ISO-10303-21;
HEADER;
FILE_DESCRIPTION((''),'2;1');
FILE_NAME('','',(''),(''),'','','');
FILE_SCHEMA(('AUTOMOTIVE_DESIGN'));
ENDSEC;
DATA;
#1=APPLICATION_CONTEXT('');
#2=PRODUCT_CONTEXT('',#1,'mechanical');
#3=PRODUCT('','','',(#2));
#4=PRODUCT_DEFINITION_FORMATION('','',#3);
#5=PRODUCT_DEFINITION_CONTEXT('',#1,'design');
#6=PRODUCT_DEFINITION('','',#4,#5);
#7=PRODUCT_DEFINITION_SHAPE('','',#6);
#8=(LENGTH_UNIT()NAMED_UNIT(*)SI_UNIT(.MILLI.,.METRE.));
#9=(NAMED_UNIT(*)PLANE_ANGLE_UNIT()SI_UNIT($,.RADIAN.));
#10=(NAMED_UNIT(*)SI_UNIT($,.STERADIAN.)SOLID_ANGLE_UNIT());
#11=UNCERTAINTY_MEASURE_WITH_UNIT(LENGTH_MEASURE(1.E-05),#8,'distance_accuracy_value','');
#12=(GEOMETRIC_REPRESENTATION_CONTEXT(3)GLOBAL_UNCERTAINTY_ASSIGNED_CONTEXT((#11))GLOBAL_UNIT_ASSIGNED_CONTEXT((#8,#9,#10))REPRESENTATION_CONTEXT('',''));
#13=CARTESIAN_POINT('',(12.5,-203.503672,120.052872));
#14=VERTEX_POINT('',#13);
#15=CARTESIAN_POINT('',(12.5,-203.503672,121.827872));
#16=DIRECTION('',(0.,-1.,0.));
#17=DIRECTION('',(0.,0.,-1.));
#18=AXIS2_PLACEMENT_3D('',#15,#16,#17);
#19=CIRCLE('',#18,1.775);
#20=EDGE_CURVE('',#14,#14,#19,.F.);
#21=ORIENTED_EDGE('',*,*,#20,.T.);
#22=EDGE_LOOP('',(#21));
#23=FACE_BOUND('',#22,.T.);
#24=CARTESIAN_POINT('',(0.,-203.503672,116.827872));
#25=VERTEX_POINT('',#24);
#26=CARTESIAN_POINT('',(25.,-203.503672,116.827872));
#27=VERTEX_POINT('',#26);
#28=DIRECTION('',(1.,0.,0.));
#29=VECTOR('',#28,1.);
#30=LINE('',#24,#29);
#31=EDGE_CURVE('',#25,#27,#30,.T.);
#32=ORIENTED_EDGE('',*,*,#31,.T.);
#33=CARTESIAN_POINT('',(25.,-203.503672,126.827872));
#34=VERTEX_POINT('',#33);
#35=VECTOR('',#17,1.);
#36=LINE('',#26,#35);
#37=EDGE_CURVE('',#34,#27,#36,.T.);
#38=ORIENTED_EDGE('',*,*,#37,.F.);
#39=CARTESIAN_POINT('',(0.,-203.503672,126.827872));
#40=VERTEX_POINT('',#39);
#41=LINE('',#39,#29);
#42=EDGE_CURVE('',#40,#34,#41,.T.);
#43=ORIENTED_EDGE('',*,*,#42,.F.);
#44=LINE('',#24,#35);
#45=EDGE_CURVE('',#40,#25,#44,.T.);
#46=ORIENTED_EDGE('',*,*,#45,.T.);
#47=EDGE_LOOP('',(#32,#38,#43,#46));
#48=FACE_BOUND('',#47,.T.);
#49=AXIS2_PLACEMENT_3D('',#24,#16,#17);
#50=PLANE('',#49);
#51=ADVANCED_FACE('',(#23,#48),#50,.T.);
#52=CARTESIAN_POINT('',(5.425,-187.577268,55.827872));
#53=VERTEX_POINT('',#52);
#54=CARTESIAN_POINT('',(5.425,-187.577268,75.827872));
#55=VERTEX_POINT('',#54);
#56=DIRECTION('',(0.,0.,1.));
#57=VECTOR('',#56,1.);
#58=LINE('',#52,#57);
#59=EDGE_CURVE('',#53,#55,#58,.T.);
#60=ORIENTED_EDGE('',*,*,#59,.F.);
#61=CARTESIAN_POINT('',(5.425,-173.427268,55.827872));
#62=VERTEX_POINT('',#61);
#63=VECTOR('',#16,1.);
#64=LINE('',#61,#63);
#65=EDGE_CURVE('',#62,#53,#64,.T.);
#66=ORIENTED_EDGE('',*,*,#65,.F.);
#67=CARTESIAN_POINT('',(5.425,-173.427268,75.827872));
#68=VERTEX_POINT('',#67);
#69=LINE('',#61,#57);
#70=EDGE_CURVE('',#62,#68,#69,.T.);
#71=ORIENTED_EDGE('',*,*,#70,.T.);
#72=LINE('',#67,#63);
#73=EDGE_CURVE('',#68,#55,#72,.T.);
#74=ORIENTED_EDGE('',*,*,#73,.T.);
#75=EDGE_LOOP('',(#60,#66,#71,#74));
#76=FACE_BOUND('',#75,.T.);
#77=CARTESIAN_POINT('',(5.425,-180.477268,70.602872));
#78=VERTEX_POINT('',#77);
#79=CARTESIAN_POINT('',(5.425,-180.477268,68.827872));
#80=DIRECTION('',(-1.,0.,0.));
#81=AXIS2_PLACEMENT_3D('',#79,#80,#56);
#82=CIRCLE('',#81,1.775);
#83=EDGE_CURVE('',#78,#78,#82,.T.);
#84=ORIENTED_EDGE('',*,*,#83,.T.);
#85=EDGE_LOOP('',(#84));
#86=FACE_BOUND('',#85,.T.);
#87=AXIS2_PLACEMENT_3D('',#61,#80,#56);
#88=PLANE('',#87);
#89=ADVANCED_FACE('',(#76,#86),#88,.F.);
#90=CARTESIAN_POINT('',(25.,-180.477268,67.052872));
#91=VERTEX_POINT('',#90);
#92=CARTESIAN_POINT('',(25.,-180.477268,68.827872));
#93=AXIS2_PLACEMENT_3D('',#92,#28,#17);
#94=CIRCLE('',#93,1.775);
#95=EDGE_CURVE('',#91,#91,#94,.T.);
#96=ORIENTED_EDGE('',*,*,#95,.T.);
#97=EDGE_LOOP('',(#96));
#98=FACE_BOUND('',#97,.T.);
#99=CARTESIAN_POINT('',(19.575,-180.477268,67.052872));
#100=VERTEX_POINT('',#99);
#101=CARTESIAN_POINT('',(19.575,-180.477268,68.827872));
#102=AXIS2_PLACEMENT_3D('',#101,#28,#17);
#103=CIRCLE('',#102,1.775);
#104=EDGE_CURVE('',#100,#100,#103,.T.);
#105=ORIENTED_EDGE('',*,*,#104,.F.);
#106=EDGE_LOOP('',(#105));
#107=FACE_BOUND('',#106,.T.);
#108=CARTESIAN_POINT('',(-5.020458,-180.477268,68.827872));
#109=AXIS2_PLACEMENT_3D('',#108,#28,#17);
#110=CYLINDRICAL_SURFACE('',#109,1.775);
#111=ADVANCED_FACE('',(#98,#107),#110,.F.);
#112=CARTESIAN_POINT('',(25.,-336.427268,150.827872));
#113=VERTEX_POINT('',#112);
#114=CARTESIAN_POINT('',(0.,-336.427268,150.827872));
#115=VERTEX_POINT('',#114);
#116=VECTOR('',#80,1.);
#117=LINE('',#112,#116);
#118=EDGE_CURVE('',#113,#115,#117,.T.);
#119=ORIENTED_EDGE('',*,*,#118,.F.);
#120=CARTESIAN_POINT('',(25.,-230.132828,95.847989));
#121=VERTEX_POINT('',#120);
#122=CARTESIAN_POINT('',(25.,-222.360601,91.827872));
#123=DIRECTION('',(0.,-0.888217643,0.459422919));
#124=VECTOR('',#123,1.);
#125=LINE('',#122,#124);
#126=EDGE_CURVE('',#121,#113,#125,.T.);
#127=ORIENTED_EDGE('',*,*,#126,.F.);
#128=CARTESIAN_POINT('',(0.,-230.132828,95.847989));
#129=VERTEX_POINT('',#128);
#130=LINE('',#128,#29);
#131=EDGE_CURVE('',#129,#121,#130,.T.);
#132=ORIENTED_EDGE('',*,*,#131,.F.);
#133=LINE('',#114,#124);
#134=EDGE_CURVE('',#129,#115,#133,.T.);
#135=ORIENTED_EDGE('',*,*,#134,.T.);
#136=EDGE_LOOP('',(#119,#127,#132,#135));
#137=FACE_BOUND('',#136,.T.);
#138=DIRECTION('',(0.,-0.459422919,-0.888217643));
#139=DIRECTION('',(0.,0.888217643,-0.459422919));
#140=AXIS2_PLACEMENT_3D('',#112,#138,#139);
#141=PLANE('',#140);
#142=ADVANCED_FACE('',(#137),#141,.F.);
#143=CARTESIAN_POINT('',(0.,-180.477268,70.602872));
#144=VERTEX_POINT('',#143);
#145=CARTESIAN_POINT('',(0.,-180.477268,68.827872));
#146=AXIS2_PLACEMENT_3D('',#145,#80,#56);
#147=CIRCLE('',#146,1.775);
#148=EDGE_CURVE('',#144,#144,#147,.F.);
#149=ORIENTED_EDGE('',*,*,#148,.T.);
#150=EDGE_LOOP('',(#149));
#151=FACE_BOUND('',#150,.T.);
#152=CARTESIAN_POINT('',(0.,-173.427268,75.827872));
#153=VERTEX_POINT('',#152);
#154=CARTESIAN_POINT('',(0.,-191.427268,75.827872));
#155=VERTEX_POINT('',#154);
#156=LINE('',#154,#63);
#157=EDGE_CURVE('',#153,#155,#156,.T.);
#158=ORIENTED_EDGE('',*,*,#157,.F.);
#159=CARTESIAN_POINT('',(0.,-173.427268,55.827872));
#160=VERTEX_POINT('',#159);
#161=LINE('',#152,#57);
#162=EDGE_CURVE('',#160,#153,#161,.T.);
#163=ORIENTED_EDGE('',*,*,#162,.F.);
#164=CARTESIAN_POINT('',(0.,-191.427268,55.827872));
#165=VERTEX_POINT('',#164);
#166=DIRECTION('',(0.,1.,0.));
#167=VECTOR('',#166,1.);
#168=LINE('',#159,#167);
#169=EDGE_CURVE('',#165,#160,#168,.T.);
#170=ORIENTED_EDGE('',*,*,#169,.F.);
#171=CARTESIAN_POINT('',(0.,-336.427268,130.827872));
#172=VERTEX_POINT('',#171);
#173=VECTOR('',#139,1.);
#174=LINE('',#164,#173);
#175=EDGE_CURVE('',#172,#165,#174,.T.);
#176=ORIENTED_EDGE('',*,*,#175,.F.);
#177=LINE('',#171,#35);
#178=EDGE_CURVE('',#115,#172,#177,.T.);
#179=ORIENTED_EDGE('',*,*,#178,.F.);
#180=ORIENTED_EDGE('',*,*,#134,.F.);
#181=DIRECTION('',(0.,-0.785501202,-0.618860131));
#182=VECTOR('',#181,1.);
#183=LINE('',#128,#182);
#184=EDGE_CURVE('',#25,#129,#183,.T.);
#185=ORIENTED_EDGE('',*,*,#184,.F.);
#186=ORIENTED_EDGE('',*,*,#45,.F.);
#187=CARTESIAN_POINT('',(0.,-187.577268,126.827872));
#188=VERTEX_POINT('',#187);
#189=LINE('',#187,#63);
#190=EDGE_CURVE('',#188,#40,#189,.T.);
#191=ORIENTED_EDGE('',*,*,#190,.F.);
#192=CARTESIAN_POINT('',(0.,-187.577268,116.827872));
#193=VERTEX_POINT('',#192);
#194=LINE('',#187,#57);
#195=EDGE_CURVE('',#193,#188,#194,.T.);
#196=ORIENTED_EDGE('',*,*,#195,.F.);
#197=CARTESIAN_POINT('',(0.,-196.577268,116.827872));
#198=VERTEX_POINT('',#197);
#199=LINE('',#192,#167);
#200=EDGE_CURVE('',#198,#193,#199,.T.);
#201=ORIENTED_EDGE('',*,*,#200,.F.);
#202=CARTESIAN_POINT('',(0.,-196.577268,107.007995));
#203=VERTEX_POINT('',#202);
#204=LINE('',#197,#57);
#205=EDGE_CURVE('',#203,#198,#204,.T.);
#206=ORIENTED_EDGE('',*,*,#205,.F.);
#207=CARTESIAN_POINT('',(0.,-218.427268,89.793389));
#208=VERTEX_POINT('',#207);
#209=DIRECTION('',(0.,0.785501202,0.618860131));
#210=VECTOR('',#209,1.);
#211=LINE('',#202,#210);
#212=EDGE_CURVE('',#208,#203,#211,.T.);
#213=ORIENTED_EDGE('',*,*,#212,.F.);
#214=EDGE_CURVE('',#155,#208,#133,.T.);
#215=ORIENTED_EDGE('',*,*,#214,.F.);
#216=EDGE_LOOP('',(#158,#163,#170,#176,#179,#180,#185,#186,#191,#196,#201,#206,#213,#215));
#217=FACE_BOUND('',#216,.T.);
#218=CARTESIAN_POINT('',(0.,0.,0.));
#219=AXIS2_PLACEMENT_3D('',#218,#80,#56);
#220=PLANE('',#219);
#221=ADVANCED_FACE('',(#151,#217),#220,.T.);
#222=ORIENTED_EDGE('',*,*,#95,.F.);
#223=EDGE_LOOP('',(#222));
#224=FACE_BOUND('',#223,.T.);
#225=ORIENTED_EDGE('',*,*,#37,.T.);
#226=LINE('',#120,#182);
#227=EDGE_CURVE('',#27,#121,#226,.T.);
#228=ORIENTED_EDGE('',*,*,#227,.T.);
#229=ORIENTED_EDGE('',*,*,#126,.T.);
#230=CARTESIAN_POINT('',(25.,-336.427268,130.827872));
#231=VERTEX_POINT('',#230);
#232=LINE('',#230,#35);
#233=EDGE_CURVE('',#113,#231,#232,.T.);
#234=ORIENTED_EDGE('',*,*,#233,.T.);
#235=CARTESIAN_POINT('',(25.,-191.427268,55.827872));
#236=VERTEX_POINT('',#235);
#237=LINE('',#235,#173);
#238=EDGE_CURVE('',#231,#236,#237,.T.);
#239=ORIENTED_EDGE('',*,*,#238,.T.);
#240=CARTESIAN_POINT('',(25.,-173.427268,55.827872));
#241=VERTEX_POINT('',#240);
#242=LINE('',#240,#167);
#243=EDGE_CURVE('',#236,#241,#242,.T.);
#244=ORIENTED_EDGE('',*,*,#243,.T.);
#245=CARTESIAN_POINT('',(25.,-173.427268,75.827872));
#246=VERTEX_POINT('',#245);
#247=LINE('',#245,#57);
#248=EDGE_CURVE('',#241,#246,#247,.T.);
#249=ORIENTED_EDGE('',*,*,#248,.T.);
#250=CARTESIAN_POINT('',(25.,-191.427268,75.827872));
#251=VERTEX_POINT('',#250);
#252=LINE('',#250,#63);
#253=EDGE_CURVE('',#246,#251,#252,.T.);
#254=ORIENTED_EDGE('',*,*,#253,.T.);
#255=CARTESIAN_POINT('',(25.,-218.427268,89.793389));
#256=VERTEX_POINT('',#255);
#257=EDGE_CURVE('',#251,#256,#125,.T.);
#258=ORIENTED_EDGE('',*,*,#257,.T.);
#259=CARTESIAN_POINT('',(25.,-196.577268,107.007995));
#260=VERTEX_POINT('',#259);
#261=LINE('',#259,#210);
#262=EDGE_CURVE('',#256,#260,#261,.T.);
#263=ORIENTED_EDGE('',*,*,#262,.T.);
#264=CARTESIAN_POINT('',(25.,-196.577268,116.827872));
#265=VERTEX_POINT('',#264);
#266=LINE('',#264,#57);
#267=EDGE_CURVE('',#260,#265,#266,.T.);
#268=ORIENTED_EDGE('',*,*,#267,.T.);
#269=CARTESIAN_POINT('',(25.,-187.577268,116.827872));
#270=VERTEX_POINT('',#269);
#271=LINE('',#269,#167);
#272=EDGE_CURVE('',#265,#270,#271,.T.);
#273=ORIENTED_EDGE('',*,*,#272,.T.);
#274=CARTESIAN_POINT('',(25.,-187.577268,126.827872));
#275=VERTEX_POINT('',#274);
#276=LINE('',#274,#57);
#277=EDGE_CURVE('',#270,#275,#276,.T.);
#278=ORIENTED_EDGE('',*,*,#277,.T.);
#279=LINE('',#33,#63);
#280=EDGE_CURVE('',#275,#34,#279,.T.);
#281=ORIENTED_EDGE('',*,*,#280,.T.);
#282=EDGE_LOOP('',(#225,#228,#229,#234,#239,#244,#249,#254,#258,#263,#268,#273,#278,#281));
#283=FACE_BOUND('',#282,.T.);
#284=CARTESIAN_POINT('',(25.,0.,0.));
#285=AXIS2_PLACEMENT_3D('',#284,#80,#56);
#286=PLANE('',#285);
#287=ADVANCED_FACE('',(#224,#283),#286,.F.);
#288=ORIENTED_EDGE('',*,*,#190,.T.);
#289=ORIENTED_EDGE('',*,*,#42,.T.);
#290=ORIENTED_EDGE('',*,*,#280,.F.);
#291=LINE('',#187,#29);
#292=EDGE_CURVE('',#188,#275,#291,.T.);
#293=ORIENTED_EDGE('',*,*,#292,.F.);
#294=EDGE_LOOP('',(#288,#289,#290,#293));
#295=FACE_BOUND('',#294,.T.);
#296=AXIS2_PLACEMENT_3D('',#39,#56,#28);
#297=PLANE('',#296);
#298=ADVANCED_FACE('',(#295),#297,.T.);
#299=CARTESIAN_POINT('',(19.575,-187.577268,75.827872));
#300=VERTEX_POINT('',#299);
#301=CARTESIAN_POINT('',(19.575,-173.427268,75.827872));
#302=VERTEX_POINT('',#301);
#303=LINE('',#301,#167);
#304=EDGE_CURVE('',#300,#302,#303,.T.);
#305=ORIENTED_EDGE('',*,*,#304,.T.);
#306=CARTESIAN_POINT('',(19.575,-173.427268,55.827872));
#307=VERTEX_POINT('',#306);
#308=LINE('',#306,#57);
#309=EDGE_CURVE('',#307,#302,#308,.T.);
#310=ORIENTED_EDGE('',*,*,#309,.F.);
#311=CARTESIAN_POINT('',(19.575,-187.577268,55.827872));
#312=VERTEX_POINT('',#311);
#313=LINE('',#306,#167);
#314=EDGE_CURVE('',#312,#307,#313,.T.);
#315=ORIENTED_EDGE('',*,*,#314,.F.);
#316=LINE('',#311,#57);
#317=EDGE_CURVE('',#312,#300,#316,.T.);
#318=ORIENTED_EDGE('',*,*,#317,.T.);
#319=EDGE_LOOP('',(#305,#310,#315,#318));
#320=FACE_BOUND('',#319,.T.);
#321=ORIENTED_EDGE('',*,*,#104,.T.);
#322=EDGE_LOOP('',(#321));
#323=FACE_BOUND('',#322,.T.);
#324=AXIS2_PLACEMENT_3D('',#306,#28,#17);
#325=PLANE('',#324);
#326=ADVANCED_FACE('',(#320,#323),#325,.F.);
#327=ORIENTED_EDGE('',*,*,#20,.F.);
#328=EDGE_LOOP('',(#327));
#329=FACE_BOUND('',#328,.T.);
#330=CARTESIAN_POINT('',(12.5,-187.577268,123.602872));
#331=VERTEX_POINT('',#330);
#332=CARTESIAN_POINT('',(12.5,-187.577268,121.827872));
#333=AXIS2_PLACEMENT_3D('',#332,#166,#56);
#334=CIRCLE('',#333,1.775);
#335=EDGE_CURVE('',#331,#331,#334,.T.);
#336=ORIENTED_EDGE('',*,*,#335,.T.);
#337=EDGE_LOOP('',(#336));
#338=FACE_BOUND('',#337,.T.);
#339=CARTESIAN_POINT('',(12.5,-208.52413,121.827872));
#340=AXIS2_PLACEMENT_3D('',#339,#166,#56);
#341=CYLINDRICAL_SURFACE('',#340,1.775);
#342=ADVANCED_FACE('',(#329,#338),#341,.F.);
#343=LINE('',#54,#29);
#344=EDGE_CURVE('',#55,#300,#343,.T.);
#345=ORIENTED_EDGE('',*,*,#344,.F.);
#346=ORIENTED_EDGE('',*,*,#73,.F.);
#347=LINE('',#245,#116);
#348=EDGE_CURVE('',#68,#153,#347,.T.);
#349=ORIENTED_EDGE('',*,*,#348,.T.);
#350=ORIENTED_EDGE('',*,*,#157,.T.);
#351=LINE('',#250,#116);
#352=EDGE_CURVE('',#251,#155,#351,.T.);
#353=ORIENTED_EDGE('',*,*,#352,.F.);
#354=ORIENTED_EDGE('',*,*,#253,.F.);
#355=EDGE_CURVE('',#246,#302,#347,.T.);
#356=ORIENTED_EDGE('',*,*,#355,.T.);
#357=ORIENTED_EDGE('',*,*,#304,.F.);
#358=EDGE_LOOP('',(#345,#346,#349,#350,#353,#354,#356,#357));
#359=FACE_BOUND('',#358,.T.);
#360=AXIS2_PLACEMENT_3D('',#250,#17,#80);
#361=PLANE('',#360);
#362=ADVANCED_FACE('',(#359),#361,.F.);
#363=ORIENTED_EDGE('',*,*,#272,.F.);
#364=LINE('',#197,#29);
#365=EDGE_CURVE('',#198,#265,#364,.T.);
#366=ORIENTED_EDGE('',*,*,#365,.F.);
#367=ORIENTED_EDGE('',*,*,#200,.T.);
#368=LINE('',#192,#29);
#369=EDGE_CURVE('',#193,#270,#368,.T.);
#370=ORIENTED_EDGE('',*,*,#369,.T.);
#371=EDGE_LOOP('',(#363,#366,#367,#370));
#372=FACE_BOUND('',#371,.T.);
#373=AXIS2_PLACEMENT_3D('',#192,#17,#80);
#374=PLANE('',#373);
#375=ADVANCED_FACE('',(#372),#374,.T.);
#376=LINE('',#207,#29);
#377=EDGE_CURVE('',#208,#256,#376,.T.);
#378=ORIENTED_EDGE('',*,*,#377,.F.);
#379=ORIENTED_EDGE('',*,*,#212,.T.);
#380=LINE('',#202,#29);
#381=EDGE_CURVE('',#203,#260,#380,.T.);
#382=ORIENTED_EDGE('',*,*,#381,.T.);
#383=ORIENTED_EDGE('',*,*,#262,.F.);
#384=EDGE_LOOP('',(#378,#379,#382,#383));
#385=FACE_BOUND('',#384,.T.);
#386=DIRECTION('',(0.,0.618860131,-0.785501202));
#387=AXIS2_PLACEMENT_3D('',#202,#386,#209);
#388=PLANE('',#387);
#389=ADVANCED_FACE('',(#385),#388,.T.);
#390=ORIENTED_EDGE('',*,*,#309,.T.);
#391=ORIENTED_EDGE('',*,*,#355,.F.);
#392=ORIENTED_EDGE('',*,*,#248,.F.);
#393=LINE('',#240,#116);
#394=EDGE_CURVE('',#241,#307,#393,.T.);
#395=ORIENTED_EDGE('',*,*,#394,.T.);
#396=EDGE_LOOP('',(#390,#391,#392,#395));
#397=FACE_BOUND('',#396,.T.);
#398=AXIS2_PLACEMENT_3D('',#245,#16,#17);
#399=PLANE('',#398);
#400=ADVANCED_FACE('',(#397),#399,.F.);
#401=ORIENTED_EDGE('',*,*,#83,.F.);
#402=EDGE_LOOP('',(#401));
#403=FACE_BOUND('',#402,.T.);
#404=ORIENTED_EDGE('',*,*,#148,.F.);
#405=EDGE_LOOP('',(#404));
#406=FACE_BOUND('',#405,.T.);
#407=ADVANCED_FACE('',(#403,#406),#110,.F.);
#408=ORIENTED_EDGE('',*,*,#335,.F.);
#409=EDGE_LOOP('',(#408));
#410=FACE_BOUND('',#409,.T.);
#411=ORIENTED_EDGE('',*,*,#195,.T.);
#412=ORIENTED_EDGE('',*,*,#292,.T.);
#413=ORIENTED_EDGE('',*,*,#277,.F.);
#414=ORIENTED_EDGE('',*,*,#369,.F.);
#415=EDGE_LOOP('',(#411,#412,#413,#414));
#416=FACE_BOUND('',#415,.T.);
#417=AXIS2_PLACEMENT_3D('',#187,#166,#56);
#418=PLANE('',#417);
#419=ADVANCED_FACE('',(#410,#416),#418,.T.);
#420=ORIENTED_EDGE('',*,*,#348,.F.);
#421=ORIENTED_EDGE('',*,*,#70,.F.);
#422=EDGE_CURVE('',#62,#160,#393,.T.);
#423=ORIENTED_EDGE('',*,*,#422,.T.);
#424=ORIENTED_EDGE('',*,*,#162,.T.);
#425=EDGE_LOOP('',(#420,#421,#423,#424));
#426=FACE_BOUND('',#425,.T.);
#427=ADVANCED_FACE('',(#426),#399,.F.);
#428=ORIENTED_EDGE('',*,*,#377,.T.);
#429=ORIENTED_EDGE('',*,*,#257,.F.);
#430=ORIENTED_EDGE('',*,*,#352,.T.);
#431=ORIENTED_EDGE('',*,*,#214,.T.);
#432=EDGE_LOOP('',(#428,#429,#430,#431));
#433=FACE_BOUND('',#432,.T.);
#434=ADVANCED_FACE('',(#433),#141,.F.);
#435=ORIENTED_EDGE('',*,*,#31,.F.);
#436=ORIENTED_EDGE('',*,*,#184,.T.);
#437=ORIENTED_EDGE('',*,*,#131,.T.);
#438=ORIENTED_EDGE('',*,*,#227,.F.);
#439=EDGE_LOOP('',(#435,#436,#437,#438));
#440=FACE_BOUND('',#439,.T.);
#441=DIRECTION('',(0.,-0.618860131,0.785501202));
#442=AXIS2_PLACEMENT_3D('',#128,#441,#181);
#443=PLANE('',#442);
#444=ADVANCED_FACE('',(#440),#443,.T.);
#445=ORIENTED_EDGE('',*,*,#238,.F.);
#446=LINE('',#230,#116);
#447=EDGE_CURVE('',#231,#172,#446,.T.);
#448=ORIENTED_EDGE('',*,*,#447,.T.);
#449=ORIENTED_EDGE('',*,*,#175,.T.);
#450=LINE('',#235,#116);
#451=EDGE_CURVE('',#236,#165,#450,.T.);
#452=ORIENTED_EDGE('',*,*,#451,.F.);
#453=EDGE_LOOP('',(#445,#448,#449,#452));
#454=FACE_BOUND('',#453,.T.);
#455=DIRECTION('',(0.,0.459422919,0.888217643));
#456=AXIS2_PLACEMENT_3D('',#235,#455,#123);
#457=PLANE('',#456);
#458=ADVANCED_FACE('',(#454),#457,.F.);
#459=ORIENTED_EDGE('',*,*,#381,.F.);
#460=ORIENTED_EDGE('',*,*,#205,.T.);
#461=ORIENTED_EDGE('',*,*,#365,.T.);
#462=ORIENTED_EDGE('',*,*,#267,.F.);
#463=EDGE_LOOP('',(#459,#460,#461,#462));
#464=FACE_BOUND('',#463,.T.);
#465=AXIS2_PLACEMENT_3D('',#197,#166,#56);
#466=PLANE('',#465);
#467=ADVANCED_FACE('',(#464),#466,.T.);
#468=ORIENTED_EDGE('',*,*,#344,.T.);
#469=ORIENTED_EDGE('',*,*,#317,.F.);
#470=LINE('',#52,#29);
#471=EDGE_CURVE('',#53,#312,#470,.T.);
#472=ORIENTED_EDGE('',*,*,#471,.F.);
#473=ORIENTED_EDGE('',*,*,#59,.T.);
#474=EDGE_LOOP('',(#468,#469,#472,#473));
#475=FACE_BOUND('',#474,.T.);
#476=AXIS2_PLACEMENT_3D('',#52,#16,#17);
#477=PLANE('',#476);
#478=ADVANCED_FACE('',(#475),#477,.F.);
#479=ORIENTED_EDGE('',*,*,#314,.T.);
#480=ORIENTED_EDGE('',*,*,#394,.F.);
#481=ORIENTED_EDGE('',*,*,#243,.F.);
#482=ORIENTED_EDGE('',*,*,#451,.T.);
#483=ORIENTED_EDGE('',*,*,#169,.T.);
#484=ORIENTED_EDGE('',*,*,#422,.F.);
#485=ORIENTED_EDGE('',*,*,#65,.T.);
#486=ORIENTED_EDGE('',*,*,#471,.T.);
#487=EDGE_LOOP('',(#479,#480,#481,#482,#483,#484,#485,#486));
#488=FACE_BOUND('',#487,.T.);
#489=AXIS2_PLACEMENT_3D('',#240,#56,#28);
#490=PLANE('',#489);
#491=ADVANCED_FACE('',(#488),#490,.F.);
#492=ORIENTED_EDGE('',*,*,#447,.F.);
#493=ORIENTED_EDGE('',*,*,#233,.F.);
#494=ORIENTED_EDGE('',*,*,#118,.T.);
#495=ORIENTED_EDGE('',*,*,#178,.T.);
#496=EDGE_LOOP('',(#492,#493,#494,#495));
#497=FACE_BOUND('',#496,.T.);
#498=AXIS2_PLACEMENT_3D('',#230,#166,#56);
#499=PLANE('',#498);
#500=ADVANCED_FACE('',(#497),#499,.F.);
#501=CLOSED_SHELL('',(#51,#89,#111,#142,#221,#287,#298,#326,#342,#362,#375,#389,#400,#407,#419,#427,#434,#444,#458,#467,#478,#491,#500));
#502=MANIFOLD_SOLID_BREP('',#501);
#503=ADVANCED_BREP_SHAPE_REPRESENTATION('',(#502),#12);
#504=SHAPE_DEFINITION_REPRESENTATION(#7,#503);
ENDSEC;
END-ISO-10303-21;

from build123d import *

# Parameters (mm, degrees)
BOSS_EXTRUDE1_DEPTH = 25
SKETCH5_W           = 14.15
SKETCH5_H           = 14.15
CUT_EXTRUDE4_DEPTH  = 346.591241967
CUT_EXTRUDE5_REACH  = 371.537
SKETCH6_R           = 1.775
BOSS_EXTRUDE2_DEPTH = 25
SKETCH9_R           = 1.775
CUT_EXTRUDE6_DEPTH  = 15.926403812


with BuildPart() as part:
    # Sketch1 → Boss-Extrude1 (new body)
    with BuildSketch(Plane(origin=(0, 0, 0), x_dir=(0, 0, -1), z_dir=(1, 0, 0))):
        Polygon((-75.827871616, -173.427267807), (-55.827871616, -173.427267807), (-55.827871616, -191.427267807), (-130.827871616, -336.427267807), (-150.827871616, -336.427267807), (-91.827871616, -222.360601141), (-75.827871616, -191.427267807), align=None)
    extrude(amount=BOSS_EXTRUDE1_DEPTH)

    # Sketch5 → Cut-Extrude4 (cut, through all)
    with BuildSketch(Plane.XY.offset(75.827871616)):
        with Locations((12.5, -180.502267807)):
            Rectangle(SKETCH5_W, SKETCH5_H)
    extrude(amount=-CUT_EXTRUDE4_DEPTH, mode=Mode.SUBTRACT)

    # Cut-Extrude5: up to this face of the body (flat: up to its plane)
    cut_extrude5_end = Plane(part.part.faces().sort_by_distance((0, -254.927267807, 99.186767321))[0])
    # Sketch6 → Cut-Extrude5 (cut, up to the picked face)
    with BuildSketch(Plane(origin=(25, 0, 0), x_dir=(0, 0, -1), z_dir=(1, 0, 0)), mode=Mode.PRIVATE) as cut_extrude5_sk1:
        with Locations((-68.827871616, -180.477267807)):
            Circle(SKETCH6_R)
    cut_extrude5_tool1 = split(extrude(cut_extrude5_sk1.sketch, amount=-CUT_EXTRUDE5_REACH, mode=Mode.PRIVATE), bisect_by=cut_extrude5_end, keep=Keep.BOTH, mode=Mode.PRIVATE)
    add(cut_extrude5_tool1.solids().sort_by(Axis((25, -180.477268, 68.827872), (-1, 0, 0)))[0], mode=Mode.SUBTRACT)

    # Sketch8 → Boss-Extrude2 (add)
    with BuildSketch(Plane(origin=(25, 0, 0), x_dir=(0, 0, -1), z_dir=(1, 0, 0))):
        Polygon((-126.827871616, -187.577267807), (-116.827871616, -187.577267807), (-116.827871616, -196.577267807), (-107.00799507, -196.577267807), (-89.793388857, -218.427267807), (-95.84798887, -230.132827833), (-116.827871616, -203.503671619), (-126.827871616, -203.503671619), (-126.827871616, -196.577267807), align=None)
    extrude(amount=-BOSS_EXTRUDE2_DEPTH)

    # Sketch9 → Cut-Extrude6 (cut)
    with BuildSketch(Plane(origin=(0, -187.577267807, 0), x_dir=(1, 0, 0), z_dir=(0, 1, 0))):
        with Locations(Location((12.5, -121.827871616, 0), (0, 0, 270))):
            Circle(SKETCH9_R)
    extrude(amount=-CUT_EXTRUDE6_DEPTH, mode=Mode.SUBTRACT)


solid = part.part
